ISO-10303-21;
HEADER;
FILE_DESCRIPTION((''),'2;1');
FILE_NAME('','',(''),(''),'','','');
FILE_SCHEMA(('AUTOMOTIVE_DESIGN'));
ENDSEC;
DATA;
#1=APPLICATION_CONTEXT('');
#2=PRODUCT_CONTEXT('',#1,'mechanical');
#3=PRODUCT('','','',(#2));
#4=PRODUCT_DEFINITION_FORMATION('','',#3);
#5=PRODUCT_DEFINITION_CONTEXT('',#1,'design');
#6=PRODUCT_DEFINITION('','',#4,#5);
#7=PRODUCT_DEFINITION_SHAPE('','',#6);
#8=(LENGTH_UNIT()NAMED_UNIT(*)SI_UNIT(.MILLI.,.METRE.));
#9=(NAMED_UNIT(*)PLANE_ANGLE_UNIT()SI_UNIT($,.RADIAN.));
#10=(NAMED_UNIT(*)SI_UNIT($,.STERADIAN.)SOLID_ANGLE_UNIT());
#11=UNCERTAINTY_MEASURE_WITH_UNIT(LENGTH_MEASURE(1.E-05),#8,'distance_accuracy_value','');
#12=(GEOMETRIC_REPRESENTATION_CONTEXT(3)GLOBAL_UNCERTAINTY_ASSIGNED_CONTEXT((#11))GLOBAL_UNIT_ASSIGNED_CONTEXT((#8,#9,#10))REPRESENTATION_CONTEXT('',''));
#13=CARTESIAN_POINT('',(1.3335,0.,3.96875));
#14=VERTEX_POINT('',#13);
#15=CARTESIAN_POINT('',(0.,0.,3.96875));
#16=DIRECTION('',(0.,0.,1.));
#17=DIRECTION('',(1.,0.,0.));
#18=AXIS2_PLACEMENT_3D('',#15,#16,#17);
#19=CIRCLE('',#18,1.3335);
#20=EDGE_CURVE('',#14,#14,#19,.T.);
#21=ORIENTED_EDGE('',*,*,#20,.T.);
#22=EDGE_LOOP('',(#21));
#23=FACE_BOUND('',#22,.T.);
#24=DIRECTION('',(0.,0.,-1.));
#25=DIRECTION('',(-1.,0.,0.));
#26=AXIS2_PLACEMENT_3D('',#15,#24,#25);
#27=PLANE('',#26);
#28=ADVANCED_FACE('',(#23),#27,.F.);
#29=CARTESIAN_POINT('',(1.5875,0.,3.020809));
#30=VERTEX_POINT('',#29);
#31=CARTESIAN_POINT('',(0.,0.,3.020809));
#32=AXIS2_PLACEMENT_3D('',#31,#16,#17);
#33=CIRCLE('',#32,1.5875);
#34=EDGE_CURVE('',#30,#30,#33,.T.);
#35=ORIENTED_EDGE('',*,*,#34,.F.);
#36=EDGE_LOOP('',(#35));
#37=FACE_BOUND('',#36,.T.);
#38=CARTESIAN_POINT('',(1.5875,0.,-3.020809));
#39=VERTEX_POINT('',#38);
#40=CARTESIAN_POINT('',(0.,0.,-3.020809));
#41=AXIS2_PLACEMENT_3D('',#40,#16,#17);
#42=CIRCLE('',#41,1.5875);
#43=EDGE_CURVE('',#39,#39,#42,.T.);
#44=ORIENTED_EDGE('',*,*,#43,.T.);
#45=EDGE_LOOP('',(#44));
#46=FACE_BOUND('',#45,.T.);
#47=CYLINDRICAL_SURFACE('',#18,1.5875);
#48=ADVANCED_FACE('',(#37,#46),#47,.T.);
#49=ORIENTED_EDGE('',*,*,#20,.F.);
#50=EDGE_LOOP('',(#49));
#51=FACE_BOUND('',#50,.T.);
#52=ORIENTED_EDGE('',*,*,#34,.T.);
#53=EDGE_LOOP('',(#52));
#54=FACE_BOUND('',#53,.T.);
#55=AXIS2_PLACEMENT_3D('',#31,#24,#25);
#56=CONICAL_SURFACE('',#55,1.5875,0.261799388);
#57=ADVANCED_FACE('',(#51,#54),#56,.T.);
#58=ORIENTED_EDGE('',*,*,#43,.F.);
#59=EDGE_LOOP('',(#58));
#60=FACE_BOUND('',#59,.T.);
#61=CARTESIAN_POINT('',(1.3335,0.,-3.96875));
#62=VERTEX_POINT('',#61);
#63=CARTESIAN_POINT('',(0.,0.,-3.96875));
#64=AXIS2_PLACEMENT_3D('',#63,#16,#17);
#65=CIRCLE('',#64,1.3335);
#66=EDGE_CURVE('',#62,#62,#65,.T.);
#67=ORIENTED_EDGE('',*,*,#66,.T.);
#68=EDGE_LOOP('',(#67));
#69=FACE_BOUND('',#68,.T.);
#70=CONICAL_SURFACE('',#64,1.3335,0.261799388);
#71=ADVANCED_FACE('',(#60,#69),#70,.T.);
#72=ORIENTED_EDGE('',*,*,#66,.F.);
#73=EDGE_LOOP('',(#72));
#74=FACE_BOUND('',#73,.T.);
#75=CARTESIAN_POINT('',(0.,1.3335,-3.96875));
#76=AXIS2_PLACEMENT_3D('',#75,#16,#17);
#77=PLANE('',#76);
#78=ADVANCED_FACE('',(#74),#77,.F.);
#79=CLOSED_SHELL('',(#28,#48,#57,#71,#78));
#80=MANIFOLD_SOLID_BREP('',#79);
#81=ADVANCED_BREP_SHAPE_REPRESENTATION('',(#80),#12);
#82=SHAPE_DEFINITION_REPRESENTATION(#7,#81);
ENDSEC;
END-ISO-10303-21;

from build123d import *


with BuildPart() as part:
    # Sketch3 → Revolve1 (revolve)
    with BuildSketch(Plane(origin=(0, 0, 0), x_dir=(0, 0, -1), z_dir=(1, 0, 0)), mode=Mode.PRIVATE) as revolve1_sk:
        Polygon((-3.96875, 0), (-3.96875, 1.3335), (-3.020809095, 1.5875), (3.020809095, 1.5875), (3.96875, 1.3335), (3.96875, 0), align=None)
    revolve(revolve1_sk.sketch.rotate(Axis((0, 0, 3.96875), (0, 0, -1)), 90), axis=Axis((0, 0, 3.96875), (0, 0, -1)))


solid = part.part
